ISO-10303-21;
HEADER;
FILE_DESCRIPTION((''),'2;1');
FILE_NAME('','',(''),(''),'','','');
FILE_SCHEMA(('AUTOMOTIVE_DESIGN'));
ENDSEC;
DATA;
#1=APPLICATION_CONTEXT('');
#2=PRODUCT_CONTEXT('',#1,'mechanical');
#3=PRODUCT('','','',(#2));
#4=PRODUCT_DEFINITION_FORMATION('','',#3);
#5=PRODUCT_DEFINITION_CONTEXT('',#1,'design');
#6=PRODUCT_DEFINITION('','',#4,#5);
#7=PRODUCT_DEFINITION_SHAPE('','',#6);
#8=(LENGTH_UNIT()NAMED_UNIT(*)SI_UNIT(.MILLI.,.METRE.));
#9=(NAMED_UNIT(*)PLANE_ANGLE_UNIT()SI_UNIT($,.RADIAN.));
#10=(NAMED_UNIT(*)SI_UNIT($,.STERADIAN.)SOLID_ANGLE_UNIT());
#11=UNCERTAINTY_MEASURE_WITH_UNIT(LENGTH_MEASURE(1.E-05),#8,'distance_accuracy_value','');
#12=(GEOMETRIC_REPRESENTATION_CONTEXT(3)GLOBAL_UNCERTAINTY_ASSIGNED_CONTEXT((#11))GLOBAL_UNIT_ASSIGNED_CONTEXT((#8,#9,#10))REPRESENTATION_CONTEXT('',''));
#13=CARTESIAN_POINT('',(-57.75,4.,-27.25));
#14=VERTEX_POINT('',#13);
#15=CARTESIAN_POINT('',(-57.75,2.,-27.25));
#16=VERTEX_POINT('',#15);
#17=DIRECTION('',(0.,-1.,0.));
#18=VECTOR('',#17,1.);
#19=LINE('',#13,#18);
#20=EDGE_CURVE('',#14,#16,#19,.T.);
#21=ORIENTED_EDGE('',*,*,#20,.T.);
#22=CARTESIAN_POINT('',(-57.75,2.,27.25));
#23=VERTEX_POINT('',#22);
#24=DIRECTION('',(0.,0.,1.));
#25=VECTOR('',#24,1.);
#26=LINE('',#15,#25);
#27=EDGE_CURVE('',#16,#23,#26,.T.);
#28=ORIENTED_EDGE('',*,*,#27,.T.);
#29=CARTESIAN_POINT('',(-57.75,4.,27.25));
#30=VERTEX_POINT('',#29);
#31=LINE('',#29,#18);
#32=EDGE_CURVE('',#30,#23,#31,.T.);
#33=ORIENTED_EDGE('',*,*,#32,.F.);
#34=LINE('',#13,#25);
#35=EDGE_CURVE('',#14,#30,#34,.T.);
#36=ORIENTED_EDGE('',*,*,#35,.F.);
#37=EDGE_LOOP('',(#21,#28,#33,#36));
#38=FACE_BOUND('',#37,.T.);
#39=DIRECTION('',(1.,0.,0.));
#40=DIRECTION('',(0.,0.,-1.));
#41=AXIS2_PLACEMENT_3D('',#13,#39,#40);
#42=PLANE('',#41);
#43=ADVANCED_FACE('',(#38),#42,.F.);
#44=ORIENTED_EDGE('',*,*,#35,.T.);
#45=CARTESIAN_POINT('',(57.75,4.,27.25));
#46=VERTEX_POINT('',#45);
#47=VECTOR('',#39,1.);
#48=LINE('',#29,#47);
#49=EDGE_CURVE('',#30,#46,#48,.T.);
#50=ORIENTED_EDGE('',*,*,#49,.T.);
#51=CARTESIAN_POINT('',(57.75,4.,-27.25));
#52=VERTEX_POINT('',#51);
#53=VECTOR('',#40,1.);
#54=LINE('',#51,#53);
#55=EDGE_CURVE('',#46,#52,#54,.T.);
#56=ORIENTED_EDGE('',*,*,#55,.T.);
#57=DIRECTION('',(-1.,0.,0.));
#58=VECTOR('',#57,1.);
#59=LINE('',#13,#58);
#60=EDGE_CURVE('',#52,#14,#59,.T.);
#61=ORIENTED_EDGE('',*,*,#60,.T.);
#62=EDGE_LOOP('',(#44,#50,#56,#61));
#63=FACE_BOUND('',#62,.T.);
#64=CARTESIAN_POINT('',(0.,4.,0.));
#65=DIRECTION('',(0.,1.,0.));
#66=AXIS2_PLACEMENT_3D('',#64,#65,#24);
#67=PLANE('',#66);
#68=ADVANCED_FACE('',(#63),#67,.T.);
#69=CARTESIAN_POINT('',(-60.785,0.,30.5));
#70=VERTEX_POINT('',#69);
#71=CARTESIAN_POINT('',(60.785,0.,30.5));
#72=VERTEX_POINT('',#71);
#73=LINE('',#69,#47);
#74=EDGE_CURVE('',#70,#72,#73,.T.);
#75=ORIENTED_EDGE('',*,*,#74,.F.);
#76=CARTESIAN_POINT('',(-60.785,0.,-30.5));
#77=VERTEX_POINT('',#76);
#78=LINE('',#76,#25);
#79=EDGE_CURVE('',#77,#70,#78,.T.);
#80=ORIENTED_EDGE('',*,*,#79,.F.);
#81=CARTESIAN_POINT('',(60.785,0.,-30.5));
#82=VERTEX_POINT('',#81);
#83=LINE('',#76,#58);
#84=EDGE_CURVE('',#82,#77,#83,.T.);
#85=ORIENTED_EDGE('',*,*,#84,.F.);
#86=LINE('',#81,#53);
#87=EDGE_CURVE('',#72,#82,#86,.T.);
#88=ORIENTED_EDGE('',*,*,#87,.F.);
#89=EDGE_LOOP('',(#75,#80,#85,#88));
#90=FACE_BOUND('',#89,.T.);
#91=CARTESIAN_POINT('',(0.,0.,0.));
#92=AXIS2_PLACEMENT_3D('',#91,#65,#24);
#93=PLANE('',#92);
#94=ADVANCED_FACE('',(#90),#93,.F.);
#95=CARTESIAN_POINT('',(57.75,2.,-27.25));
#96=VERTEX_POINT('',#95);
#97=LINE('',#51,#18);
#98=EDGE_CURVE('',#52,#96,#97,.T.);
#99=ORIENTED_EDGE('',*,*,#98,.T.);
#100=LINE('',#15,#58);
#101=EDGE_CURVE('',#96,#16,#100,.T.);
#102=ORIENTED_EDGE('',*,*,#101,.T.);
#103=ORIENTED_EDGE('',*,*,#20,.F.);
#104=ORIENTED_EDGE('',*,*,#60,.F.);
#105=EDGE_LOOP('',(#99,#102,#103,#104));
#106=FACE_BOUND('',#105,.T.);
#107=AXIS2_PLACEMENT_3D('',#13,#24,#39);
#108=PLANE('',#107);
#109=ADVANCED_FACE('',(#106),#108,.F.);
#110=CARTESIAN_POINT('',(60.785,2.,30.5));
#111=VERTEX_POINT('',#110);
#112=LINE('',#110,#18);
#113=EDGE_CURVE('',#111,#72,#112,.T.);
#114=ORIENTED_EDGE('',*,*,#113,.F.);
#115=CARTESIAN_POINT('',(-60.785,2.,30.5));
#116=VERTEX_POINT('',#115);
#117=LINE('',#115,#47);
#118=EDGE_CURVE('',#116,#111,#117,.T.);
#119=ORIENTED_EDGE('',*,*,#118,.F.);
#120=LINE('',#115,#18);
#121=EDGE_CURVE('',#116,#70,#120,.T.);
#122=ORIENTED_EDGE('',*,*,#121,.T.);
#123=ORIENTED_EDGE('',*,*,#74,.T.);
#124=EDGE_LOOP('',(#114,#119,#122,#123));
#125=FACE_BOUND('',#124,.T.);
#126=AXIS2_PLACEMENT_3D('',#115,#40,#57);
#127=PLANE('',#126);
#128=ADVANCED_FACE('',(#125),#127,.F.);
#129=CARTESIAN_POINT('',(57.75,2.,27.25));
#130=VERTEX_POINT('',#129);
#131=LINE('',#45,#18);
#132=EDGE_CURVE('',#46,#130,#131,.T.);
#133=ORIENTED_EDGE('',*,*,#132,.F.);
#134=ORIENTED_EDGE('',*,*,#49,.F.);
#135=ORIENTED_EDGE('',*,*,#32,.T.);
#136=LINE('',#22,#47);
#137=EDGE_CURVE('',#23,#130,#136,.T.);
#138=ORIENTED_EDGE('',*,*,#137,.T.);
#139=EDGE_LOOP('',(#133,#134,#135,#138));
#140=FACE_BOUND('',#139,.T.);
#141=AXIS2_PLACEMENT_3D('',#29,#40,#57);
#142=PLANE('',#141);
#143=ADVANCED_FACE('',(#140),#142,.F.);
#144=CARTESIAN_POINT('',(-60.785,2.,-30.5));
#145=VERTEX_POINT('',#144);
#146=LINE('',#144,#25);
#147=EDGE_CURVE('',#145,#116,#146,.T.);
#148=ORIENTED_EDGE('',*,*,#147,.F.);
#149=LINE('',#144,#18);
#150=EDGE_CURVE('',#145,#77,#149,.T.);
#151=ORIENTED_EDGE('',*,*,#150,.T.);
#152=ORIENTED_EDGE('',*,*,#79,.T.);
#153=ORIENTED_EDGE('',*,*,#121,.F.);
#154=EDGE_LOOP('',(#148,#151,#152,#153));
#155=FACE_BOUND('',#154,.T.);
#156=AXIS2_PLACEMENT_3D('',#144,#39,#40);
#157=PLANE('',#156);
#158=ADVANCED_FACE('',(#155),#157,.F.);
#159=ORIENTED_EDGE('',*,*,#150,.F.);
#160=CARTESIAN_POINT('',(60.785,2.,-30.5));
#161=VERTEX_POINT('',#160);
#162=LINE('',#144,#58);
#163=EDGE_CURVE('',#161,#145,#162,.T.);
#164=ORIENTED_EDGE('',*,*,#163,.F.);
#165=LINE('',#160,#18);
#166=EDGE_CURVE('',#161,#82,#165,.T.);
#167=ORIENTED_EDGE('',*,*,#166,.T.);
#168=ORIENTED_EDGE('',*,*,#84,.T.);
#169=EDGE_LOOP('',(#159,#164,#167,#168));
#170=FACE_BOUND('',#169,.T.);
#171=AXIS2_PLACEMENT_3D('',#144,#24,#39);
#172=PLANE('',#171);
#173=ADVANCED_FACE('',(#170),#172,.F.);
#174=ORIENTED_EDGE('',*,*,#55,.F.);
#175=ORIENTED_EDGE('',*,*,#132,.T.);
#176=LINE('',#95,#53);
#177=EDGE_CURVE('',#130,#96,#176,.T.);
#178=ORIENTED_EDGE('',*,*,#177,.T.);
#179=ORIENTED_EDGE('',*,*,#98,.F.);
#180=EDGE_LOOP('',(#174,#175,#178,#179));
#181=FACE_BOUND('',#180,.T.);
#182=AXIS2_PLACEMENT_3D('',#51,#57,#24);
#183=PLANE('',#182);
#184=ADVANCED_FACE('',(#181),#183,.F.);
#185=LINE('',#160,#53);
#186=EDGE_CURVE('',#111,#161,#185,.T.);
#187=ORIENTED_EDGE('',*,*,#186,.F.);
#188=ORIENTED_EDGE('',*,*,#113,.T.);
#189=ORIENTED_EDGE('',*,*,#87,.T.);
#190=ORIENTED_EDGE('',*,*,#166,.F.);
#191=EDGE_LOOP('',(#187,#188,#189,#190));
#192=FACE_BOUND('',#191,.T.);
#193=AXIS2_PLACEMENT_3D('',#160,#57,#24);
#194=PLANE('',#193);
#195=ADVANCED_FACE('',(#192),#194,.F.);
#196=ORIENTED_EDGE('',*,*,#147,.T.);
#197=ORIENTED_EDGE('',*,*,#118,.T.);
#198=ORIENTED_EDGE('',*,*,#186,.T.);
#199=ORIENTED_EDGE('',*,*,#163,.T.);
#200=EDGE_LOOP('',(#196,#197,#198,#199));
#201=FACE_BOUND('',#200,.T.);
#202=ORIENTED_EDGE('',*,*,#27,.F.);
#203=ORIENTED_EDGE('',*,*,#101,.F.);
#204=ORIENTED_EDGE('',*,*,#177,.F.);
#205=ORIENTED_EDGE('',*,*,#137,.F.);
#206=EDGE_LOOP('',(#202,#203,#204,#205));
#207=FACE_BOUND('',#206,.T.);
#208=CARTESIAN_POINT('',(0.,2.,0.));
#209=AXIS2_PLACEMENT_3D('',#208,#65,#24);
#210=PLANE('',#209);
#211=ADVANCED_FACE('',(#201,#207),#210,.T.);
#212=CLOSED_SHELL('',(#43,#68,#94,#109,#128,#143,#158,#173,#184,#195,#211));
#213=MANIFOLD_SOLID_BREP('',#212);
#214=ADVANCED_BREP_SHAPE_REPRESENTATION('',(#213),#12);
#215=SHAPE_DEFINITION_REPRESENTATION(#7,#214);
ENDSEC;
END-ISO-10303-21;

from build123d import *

# Parameters (mm, degrees)
SKETCH1_W           = 121.57
SKETCH1_H           = 61
BOSS_EXTRUDE1_DEPTH = 2
SKETCH2_W           = 115.5
SKETCH2_H           = 54.5
BOSS_EXTRUDE2_DEPTH = 2


with BuildPart() as part:
    # Sketch1 → Boss-Extrude1 (new body)
    with BuildSketch(Plane(origin=(0, 0, 0), x_dir=(1, 0, 0), z_dir=(0, 1, 0))):
        Rectangle(SKETCH1_W, SKETCH1_H)
    extrude(amount=BOSS_EXTRUDE1_DEPTH)

    # Sketch2 → Boss-Extrude2 (add)
    with BuildSketch(Plane(origin=(0, 2, 0), x_dir=(1, 0, 0), z_dir=(0, 1, 0))):
        Rectangle(SKETCH2_W, SKETCH2_H)
    extrude(amount=BOSS_EXTRUDE2_DEPTH)


solid = part.part
